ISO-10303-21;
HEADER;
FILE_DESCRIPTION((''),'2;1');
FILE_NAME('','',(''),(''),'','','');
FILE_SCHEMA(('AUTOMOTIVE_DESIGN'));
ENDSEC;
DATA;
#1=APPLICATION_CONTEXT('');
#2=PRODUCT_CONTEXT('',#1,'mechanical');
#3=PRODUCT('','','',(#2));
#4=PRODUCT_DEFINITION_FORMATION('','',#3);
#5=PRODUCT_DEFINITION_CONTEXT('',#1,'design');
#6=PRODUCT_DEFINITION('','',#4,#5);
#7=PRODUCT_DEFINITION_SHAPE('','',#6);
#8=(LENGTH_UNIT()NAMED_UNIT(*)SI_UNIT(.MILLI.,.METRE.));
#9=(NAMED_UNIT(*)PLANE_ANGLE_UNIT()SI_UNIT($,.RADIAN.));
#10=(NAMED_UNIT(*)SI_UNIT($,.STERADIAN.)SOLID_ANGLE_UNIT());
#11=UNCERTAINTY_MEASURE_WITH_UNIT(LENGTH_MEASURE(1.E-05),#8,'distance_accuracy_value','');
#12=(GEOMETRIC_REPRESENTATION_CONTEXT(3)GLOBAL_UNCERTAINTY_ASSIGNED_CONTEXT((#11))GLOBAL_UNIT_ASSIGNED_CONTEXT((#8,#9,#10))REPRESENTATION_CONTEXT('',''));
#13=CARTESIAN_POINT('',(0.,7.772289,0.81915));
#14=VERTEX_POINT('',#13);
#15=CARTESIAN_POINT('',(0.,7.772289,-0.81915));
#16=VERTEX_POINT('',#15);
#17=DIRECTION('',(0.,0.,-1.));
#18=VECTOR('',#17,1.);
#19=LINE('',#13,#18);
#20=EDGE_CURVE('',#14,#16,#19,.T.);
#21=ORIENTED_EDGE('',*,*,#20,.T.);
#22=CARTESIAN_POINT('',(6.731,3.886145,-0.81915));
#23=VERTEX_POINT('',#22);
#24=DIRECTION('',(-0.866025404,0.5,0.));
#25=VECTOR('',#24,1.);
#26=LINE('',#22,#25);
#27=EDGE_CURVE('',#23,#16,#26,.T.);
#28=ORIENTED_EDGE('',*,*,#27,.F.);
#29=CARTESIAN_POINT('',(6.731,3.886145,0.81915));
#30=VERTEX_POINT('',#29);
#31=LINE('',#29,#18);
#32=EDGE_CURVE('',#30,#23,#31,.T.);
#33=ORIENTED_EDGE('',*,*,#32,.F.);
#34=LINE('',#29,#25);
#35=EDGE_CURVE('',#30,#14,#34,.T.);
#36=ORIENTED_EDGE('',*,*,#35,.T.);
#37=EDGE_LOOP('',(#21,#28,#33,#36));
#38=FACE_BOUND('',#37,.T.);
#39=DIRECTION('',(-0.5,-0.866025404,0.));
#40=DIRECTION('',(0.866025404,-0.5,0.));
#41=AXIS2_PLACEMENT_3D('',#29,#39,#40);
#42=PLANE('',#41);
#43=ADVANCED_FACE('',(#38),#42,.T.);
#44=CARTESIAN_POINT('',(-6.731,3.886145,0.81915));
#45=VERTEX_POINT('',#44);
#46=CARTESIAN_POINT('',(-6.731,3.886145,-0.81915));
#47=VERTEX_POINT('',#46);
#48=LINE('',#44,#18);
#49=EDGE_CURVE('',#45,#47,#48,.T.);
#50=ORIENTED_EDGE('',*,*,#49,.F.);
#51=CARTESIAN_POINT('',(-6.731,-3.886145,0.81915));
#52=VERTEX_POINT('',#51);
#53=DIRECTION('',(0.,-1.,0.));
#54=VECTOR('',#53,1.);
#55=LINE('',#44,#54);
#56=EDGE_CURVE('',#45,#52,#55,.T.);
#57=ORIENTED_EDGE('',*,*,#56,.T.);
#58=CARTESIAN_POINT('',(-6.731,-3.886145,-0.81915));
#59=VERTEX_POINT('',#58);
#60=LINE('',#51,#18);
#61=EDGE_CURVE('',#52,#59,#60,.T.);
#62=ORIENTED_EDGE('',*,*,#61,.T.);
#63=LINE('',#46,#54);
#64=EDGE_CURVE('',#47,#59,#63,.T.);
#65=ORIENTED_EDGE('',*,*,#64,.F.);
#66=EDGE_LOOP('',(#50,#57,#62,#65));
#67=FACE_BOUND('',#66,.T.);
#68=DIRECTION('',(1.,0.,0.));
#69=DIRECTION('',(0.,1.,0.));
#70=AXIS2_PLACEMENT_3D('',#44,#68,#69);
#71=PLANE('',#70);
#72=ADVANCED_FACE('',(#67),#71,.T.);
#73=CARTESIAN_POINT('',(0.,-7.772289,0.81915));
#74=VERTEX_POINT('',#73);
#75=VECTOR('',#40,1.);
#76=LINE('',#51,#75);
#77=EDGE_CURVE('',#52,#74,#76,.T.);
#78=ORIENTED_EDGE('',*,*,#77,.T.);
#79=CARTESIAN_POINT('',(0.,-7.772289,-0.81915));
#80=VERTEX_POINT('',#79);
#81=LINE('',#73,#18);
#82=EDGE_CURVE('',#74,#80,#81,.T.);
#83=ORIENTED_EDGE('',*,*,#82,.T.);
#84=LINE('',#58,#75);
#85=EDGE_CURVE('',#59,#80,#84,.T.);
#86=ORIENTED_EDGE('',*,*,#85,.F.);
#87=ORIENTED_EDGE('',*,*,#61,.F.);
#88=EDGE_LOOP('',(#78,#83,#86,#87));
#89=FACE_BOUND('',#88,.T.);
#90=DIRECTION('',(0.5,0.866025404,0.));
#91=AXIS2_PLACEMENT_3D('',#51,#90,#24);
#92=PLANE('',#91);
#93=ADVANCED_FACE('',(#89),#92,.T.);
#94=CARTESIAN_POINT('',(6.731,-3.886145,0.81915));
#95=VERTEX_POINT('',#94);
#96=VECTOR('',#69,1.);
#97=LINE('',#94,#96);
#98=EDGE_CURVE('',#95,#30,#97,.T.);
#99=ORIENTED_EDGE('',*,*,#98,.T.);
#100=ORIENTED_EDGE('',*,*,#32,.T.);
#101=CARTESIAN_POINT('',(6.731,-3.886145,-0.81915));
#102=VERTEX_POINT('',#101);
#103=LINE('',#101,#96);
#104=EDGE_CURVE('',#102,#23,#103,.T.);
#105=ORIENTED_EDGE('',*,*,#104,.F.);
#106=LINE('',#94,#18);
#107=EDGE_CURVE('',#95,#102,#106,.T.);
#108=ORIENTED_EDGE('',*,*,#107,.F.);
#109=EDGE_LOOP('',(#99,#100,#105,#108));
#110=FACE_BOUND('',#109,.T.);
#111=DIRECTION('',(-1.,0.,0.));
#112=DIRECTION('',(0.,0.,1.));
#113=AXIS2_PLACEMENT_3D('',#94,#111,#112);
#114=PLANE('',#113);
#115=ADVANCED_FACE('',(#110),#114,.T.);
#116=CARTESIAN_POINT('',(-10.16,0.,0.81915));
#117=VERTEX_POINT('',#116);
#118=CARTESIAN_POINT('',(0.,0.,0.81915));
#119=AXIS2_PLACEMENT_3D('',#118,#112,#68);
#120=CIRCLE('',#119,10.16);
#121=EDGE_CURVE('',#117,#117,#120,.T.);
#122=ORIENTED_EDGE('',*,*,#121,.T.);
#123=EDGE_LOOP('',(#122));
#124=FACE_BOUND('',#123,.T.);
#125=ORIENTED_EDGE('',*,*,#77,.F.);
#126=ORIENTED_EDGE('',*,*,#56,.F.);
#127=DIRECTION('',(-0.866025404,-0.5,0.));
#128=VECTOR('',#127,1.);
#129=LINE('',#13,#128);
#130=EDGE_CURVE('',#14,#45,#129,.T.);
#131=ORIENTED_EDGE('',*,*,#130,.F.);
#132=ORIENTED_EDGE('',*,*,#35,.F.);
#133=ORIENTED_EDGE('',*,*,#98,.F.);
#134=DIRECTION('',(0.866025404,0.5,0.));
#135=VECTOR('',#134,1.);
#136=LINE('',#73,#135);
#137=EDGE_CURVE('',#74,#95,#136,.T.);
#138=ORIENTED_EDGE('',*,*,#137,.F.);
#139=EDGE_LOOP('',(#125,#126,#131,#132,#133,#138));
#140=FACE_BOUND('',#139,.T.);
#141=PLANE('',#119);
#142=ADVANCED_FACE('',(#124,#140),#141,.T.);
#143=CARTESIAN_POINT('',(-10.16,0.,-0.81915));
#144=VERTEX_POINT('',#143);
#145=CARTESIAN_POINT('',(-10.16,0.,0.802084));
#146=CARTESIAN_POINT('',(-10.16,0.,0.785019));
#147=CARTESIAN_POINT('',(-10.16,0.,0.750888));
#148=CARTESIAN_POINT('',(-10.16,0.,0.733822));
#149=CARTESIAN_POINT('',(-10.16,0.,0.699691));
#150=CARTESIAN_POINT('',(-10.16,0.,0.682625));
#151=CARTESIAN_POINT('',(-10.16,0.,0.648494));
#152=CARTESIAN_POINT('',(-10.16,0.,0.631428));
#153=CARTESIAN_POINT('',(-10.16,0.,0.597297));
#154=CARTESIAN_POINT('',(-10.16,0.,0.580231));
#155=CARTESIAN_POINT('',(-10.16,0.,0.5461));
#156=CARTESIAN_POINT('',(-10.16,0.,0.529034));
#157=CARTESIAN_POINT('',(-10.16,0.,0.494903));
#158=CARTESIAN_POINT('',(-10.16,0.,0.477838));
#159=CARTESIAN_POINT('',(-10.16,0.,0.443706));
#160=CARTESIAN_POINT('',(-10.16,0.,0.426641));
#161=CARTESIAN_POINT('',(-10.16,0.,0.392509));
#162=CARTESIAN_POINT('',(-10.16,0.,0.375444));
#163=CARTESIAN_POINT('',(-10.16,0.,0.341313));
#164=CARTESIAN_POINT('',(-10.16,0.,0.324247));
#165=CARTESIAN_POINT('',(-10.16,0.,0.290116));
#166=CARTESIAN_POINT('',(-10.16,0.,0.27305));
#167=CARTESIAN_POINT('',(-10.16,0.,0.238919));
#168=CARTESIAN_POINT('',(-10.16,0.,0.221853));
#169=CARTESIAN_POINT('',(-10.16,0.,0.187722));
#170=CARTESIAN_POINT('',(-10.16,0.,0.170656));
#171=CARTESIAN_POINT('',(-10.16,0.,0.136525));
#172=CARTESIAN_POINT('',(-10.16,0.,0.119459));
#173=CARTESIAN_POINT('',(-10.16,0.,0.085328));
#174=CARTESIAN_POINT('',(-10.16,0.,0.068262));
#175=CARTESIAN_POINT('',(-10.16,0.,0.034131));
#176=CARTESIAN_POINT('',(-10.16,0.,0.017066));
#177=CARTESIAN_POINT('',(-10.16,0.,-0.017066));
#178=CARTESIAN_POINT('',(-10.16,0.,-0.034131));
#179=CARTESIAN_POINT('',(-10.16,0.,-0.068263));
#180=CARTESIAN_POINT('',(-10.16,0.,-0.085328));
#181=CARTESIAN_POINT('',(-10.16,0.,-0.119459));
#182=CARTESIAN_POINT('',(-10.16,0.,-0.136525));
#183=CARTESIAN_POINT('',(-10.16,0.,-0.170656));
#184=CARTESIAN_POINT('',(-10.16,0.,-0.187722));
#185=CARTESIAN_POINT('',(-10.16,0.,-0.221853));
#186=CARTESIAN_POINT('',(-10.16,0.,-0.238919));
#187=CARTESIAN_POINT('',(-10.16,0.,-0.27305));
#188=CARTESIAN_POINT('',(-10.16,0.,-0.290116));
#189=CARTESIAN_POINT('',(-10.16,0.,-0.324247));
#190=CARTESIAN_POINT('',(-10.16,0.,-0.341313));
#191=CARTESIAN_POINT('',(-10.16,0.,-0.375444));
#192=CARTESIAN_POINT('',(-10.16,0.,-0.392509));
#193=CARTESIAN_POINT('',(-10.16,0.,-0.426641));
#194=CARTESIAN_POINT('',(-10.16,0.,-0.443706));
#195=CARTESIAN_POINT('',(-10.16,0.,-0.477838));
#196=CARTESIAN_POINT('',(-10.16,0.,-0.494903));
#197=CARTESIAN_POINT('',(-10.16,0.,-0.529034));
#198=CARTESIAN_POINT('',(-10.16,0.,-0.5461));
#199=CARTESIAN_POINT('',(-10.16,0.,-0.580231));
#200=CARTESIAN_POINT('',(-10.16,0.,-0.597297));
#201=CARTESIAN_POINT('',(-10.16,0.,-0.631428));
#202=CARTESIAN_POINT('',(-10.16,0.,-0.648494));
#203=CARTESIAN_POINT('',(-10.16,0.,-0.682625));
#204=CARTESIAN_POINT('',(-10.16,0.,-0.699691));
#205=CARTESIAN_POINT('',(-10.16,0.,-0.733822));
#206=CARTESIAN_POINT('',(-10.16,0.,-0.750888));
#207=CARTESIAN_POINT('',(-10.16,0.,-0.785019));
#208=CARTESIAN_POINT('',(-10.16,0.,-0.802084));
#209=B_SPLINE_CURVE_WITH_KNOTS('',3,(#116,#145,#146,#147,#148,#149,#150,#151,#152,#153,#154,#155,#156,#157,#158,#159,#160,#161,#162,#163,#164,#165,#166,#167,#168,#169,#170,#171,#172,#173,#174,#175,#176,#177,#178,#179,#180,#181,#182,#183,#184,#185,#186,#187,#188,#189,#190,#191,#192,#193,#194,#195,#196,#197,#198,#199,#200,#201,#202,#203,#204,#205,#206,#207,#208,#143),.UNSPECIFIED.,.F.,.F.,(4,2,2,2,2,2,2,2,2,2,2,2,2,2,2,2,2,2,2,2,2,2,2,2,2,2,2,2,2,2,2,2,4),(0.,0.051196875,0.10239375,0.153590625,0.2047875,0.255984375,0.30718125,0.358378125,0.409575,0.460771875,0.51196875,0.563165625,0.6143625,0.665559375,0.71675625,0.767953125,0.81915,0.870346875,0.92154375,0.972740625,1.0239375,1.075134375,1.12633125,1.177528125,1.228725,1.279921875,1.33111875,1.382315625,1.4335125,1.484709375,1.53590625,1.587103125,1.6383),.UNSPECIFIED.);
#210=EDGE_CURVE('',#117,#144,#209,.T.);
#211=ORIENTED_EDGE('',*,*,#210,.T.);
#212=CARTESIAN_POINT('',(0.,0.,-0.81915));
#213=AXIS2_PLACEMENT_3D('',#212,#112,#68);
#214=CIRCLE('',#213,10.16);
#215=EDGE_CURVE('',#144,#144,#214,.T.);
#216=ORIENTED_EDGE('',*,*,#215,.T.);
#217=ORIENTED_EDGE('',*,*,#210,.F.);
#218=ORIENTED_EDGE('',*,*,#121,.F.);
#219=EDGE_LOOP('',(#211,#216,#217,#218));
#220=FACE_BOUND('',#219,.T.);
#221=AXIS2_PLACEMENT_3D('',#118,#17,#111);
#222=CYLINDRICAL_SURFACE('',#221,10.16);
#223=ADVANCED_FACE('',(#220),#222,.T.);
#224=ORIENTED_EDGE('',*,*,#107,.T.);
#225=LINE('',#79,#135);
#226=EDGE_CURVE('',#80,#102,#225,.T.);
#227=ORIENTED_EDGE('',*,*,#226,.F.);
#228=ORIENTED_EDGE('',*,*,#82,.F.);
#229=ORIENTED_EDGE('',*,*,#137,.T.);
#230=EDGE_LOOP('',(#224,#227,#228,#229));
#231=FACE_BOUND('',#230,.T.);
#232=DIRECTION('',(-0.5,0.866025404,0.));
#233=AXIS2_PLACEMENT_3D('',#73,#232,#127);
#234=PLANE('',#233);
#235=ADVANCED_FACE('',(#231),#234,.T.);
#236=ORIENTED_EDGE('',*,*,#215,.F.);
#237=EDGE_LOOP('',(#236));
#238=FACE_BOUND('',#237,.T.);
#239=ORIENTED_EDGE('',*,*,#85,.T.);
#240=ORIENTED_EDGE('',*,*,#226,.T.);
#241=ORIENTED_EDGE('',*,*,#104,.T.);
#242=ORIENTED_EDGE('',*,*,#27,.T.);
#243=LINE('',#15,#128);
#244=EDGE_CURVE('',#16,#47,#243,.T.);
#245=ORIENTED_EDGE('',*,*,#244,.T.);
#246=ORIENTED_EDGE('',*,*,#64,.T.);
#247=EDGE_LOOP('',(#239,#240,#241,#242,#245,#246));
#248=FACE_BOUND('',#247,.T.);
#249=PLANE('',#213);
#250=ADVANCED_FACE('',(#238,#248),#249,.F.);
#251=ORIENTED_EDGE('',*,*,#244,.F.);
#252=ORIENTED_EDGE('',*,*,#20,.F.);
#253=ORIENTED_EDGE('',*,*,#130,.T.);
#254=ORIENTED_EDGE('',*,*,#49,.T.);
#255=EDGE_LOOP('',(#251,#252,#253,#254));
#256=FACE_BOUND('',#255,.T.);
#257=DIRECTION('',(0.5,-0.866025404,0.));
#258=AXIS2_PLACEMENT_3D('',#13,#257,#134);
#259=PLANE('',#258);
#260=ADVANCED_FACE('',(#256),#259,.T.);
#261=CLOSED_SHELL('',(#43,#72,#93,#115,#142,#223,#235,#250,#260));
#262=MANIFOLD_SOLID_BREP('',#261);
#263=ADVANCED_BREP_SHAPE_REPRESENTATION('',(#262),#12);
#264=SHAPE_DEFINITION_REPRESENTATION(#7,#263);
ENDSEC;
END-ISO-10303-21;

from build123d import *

# Parameters (mm, degrees)
SKETCH1_R           = 10.16
BOSS_EXTRUDE1_DEPTH = 0.81915


with BuildPart() as part:
    # Sketch1 → Boss-Extrude1 (new, symmetric)
    with BuildSketch(Plane.XY):
        with Locations(Location((0, 0, 0), (0, 0, 180))):
            Circle(SKETCH1_R)
        Polygon((0, 7.772289324), (-6.731, 3.886144662), (-6.731, -3.886144662), (0, -7.772289324), (6.731, -3.886144662), (6.731, 3.886144662), align=None, mode=Mode.SUBTRACT)
    extrude(amount=BOSS_EXTRUDE1_DEPTH, both=True)


solid = part.part
